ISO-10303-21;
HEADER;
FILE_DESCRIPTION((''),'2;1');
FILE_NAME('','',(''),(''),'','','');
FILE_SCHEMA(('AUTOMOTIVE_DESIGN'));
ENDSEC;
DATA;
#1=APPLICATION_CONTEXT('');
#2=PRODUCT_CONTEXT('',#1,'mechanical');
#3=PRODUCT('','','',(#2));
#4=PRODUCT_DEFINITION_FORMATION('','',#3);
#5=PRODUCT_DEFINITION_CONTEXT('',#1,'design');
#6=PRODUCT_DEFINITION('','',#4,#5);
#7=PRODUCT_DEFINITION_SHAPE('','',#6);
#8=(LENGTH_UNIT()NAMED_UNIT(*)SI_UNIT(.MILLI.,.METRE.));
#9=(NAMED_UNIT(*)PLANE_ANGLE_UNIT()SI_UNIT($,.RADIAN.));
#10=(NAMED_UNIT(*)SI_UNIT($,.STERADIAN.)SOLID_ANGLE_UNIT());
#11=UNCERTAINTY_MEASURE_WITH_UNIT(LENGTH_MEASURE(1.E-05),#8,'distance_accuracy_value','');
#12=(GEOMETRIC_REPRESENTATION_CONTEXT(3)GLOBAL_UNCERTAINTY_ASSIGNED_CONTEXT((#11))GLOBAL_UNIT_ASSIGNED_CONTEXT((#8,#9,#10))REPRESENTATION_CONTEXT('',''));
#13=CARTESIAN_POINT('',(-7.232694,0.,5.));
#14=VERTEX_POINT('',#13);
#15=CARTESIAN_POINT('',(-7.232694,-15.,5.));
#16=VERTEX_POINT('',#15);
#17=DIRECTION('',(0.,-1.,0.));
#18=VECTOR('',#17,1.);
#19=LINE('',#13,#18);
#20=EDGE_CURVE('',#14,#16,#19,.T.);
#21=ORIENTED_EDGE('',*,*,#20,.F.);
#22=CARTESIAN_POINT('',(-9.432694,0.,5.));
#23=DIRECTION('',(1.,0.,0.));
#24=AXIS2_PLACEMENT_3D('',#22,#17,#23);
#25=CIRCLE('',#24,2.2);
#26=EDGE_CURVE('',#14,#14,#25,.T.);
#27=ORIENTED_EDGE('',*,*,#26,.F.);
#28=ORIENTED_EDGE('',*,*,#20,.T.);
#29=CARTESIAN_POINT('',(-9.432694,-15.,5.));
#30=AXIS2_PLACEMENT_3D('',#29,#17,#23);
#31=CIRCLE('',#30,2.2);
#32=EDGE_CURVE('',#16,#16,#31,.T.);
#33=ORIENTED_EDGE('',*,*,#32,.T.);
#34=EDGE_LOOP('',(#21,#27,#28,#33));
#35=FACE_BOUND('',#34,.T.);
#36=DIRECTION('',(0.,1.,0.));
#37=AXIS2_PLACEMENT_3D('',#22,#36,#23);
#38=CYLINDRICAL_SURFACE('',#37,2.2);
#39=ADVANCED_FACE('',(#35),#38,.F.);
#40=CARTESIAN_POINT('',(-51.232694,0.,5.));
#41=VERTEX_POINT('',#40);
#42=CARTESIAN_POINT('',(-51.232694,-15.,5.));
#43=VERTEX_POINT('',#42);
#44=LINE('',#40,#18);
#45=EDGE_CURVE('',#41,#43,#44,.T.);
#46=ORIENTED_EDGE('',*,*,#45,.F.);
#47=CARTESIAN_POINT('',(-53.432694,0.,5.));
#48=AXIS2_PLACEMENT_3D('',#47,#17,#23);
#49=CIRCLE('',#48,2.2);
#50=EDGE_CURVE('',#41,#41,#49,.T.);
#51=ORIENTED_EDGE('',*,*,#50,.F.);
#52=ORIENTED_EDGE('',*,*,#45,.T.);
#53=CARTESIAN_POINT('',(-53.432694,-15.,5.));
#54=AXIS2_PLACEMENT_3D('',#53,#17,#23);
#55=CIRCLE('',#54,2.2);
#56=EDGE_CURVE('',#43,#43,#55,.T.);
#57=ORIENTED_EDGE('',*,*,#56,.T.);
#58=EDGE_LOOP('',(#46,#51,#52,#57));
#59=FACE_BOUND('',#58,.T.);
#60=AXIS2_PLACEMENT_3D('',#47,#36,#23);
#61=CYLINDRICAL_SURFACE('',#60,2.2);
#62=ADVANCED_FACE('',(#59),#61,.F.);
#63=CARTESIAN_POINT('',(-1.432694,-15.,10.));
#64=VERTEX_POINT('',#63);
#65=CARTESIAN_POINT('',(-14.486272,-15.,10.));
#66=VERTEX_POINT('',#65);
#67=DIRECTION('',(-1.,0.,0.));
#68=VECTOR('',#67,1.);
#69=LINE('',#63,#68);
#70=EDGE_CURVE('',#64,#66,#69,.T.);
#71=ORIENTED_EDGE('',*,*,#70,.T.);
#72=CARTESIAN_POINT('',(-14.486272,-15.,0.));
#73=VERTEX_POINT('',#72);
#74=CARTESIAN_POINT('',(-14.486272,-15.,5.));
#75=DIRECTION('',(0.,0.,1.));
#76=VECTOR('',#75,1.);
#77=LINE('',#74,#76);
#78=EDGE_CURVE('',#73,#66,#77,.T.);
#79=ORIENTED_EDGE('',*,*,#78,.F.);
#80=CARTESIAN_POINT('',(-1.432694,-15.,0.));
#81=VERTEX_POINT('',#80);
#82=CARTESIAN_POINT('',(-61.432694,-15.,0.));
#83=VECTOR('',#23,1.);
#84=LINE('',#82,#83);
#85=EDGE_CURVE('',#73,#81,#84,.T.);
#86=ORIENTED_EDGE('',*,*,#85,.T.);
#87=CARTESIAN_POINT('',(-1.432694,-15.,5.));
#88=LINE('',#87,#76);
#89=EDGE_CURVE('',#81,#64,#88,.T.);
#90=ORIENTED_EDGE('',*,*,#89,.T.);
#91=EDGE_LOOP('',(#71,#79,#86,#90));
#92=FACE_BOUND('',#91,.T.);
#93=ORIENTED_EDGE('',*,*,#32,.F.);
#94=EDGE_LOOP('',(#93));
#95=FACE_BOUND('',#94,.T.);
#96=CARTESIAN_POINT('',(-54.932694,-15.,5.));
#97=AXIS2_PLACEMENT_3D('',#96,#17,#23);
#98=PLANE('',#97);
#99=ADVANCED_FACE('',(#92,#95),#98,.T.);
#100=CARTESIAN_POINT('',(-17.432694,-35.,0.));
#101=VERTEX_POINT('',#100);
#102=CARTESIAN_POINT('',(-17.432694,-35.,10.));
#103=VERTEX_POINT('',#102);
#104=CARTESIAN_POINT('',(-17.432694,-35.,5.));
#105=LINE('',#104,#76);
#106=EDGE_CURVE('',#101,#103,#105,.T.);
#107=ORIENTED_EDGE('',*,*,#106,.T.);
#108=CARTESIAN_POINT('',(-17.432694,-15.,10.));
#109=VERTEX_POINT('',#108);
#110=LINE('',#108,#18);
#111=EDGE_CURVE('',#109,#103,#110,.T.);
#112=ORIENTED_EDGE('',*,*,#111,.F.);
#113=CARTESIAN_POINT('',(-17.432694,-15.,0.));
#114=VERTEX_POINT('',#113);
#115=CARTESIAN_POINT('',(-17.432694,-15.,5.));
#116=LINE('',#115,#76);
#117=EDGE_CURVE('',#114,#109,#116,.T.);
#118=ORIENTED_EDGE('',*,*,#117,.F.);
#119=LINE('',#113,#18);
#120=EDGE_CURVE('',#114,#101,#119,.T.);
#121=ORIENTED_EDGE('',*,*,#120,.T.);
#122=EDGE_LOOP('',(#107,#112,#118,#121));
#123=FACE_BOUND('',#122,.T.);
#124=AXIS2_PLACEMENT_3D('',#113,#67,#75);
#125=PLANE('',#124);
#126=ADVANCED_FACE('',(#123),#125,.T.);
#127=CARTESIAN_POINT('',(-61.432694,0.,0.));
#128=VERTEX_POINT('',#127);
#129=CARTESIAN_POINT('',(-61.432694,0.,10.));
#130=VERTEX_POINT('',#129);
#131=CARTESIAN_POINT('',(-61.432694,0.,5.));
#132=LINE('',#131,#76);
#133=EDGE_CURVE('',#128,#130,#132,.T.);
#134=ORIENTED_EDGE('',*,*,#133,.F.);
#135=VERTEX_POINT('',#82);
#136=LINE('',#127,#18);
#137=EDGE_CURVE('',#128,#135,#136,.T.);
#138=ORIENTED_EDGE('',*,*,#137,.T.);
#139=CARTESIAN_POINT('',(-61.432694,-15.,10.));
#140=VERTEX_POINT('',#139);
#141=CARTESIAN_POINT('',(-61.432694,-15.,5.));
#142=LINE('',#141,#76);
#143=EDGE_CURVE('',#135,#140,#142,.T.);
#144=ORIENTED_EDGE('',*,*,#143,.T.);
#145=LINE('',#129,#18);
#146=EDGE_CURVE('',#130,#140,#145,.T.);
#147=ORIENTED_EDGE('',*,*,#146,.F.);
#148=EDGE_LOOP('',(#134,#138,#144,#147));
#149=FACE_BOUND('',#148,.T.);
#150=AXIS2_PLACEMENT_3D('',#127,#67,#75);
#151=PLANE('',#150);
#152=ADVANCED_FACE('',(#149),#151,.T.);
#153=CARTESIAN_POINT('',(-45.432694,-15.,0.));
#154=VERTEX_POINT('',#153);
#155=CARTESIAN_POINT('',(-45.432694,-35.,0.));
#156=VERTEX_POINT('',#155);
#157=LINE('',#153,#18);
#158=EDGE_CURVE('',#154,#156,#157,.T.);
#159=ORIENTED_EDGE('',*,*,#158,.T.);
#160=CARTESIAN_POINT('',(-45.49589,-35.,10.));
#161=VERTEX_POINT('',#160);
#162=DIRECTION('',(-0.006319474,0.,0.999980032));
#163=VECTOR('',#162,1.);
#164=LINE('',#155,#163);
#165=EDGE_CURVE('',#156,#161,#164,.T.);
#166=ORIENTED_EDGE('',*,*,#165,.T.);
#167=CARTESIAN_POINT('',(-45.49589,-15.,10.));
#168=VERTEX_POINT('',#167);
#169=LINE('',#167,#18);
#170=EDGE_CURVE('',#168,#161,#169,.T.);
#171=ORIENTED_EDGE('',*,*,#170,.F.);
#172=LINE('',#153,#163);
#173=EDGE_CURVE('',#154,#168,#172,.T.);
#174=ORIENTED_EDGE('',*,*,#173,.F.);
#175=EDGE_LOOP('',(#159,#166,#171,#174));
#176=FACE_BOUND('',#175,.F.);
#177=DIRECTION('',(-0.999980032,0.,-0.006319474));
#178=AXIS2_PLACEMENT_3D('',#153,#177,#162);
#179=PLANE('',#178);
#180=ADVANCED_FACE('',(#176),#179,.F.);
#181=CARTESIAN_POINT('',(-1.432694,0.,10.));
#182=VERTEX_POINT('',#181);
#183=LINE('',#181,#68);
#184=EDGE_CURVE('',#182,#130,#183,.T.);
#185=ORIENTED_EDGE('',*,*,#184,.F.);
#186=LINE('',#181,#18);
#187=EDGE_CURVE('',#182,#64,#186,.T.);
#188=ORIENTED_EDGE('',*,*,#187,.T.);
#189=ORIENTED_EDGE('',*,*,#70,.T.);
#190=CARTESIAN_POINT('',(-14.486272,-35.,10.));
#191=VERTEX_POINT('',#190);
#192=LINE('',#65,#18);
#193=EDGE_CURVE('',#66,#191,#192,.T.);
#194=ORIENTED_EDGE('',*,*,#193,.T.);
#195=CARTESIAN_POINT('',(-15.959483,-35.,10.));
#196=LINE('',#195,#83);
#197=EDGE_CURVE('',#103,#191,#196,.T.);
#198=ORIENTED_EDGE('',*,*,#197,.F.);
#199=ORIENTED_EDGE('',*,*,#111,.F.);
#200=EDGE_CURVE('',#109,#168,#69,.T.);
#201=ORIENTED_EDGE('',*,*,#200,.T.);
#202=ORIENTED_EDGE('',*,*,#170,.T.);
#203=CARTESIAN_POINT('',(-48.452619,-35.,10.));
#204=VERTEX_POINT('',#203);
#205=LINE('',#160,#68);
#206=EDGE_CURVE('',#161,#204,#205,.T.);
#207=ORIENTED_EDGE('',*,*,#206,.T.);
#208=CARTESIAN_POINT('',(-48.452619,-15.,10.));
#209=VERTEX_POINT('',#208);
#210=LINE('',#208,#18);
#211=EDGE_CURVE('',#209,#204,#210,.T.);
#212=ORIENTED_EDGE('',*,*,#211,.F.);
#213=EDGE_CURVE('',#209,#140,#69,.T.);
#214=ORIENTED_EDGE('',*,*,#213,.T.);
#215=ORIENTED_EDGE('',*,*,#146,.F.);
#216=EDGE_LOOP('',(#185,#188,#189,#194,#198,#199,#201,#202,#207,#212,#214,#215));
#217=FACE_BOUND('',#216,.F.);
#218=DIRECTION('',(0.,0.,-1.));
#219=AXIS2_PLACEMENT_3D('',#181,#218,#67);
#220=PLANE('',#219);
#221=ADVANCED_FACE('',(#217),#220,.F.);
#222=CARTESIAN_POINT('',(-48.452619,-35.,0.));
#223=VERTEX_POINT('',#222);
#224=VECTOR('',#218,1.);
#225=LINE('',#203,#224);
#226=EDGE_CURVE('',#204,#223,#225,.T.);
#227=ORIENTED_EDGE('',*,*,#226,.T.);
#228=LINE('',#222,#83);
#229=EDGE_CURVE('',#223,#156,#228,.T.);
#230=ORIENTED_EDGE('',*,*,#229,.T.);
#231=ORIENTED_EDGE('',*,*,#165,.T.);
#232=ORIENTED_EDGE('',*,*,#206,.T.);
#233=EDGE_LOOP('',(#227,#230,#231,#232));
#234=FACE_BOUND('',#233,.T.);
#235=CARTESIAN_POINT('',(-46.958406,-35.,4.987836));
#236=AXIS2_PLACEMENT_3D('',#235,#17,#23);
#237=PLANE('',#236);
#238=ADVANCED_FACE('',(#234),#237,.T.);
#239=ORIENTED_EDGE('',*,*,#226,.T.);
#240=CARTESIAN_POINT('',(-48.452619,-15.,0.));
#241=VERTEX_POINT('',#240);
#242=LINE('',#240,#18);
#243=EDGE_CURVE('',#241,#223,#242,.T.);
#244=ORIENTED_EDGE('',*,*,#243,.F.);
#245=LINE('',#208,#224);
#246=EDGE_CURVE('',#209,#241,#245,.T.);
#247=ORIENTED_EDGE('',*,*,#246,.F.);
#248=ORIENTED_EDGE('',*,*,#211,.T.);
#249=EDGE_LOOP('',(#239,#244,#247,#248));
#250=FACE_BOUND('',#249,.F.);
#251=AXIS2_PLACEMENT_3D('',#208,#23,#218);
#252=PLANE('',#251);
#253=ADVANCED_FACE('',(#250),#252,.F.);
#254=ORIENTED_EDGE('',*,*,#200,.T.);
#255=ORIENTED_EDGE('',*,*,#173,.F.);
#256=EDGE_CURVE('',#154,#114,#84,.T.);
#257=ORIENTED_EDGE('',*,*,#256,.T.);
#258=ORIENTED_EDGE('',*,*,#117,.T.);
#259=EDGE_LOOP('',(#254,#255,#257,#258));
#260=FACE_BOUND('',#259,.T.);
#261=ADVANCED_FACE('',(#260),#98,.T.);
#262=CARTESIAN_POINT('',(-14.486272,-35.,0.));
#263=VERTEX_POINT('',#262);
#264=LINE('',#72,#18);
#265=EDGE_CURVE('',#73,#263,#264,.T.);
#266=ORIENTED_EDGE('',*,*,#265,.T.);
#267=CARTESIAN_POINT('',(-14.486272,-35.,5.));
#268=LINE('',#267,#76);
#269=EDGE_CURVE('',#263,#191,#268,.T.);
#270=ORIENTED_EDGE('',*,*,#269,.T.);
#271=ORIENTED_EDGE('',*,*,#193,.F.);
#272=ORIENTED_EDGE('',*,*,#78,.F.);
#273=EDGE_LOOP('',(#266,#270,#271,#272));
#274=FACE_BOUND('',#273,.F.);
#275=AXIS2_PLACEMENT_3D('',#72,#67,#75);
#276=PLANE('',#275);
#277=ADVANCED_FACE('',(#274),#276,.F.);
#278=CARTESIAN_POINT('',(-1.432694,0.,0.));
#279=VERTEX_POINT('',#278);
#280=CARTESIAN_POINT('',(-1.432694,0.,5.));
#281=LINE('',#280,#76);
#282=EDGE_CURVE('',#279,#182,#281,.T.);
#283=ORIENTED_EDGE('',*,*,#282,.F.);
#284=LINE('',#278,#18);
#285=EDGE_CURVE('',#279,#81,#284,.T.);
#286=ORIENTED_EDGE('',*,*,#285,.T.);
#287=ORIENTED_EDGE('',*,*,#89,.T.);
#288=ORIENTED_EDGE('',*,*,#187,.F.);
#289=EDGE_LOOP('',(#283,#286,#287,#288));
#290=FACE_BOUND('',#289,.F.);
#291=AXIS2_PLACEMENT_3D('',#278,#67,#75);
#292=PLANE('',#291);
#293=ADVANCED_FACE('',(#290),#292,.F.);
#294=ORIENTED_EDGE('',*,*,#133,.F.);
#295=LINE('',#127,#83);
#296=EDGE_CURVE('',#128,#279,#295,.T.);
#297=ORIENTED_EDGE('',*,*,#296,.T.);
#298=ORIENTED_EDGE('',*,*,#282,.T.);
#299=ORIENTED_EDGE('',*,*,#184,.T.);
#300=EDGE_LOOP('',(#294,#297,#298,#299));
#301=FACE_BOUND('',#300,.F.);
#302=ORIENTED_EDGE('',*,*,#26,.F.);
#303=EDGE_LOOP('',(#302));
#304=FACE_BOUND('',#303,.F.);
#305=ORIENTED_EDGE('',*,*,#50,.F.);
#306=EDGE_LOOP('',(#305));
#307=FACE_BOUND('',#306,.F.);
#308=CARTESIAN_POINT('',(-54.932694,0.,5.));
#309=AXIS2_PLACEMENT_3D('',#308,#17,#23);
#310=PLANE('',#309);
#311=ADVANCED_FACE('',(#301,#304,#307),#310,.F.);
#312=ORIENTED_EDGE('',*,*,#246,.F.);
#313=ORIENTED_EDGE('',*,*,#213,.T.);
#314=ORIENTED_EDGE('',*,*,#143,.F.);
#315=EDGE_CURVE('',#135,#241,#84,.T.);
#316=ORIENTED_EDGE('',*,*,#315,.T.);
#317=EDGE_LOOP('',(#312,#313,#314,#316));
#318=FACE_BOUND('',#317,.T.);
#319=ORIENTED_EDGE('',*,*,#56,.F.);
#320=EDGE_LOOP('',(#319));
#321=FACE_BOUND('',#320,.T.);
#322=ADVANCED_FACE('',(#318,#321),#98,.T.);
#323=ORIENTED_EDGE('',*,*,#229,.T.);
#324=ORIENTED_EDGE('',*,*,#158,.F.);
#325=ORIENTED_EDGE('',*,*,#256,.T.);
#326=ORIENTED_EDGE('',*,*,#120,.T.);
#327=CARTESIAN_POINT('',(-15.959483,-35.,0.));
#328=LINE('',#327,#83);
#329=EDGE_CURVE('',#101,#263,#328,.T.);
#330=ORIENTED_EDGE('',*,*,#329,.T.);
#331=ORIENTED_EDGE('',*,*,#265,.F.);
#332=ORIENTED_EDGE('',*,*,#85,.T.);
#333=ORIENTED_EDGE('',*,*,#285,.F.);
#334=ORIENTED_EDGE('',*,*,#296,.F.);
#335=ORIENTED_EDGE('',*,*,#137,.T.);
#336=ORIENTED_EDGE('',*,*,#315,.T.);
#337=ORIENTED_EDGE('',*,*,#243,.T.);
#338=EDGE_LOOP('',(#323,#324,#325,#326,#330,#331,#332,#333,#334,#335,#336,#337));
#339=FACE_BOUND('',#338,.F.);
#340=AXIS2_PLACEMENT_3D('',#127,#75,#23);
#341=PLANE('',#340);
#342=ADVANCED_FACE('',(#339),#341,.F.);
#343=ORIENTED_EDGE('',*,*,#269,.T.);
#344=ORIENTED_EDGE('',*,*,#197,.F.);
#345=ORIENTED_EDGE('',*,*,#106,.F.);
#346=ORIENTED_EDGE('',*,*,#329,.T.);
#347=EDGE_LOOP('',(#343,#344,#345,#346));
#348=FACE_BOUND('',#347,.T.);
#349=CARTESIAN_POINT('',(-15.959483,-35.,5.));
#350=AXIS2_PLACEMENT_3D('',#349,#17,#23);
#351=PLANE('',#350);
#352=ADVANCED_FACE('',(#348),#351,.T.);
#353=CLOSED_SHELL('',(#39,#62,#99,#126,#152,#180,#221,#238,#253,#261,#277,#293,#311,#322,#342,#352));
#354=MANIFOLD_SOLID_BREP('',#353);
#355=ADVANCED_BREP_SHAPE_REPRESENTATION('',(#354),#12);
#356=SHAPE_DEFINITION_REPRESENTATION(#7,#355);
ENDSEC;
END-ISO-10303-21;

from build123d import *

# Parameters (mm, degrees)
F0_W     = 13
F0_H     = 10
F0_R     = 2.2
F0_W_2   = 3
F0_W_3   = 28
F1_DEPTH = 15
F2_W     = 2.946422
F2_H     = 10
F3_DEPTH = 20


with BuildPart() as f1:
    # F0 (on Front) → F1 (new body)
    with BuildSketch(Plane.XZ):
        with Locations((-54.932694, 5)):
            Rectangle(F0_W, F0_H)
        with Locations((-53.432694, 5)):
            Circle(F0_R, mode=Mode.SUBTRACT)
        with Locations((-46.932694, 5)):
            Rectangle(F0_W_2, F0_H)
        with Locations((-31.432694, 5)):
            Rectangle(F0_W_3, F0_H)
        with Locations((-15.932694, 5)):
            Rectangle(F0_W_2, F0_H)
        with Locations((-7.932694, 5)):
            Rectangle(F0_W, F0_H)
        with Locations((-9.432694, 5)):
            Circle(F0_R, mode=Mode.SUBTRACT)
    extrude(amount=F1_DEPTH)

    # F2 (on face) → F3 (join)
    with BuildSketch(Plane.XZ.offset(15)):
        Polygon((-45.49589, 10), (-48.452619, 10), (-48.452619, 0), (-45.432694, 0), align=None)
        with Locations((-15.959483, 5)):
            Rectangle(F2_W, F2_H)
    extrude(amount=F3_DEPTH)


solid = f1.part
